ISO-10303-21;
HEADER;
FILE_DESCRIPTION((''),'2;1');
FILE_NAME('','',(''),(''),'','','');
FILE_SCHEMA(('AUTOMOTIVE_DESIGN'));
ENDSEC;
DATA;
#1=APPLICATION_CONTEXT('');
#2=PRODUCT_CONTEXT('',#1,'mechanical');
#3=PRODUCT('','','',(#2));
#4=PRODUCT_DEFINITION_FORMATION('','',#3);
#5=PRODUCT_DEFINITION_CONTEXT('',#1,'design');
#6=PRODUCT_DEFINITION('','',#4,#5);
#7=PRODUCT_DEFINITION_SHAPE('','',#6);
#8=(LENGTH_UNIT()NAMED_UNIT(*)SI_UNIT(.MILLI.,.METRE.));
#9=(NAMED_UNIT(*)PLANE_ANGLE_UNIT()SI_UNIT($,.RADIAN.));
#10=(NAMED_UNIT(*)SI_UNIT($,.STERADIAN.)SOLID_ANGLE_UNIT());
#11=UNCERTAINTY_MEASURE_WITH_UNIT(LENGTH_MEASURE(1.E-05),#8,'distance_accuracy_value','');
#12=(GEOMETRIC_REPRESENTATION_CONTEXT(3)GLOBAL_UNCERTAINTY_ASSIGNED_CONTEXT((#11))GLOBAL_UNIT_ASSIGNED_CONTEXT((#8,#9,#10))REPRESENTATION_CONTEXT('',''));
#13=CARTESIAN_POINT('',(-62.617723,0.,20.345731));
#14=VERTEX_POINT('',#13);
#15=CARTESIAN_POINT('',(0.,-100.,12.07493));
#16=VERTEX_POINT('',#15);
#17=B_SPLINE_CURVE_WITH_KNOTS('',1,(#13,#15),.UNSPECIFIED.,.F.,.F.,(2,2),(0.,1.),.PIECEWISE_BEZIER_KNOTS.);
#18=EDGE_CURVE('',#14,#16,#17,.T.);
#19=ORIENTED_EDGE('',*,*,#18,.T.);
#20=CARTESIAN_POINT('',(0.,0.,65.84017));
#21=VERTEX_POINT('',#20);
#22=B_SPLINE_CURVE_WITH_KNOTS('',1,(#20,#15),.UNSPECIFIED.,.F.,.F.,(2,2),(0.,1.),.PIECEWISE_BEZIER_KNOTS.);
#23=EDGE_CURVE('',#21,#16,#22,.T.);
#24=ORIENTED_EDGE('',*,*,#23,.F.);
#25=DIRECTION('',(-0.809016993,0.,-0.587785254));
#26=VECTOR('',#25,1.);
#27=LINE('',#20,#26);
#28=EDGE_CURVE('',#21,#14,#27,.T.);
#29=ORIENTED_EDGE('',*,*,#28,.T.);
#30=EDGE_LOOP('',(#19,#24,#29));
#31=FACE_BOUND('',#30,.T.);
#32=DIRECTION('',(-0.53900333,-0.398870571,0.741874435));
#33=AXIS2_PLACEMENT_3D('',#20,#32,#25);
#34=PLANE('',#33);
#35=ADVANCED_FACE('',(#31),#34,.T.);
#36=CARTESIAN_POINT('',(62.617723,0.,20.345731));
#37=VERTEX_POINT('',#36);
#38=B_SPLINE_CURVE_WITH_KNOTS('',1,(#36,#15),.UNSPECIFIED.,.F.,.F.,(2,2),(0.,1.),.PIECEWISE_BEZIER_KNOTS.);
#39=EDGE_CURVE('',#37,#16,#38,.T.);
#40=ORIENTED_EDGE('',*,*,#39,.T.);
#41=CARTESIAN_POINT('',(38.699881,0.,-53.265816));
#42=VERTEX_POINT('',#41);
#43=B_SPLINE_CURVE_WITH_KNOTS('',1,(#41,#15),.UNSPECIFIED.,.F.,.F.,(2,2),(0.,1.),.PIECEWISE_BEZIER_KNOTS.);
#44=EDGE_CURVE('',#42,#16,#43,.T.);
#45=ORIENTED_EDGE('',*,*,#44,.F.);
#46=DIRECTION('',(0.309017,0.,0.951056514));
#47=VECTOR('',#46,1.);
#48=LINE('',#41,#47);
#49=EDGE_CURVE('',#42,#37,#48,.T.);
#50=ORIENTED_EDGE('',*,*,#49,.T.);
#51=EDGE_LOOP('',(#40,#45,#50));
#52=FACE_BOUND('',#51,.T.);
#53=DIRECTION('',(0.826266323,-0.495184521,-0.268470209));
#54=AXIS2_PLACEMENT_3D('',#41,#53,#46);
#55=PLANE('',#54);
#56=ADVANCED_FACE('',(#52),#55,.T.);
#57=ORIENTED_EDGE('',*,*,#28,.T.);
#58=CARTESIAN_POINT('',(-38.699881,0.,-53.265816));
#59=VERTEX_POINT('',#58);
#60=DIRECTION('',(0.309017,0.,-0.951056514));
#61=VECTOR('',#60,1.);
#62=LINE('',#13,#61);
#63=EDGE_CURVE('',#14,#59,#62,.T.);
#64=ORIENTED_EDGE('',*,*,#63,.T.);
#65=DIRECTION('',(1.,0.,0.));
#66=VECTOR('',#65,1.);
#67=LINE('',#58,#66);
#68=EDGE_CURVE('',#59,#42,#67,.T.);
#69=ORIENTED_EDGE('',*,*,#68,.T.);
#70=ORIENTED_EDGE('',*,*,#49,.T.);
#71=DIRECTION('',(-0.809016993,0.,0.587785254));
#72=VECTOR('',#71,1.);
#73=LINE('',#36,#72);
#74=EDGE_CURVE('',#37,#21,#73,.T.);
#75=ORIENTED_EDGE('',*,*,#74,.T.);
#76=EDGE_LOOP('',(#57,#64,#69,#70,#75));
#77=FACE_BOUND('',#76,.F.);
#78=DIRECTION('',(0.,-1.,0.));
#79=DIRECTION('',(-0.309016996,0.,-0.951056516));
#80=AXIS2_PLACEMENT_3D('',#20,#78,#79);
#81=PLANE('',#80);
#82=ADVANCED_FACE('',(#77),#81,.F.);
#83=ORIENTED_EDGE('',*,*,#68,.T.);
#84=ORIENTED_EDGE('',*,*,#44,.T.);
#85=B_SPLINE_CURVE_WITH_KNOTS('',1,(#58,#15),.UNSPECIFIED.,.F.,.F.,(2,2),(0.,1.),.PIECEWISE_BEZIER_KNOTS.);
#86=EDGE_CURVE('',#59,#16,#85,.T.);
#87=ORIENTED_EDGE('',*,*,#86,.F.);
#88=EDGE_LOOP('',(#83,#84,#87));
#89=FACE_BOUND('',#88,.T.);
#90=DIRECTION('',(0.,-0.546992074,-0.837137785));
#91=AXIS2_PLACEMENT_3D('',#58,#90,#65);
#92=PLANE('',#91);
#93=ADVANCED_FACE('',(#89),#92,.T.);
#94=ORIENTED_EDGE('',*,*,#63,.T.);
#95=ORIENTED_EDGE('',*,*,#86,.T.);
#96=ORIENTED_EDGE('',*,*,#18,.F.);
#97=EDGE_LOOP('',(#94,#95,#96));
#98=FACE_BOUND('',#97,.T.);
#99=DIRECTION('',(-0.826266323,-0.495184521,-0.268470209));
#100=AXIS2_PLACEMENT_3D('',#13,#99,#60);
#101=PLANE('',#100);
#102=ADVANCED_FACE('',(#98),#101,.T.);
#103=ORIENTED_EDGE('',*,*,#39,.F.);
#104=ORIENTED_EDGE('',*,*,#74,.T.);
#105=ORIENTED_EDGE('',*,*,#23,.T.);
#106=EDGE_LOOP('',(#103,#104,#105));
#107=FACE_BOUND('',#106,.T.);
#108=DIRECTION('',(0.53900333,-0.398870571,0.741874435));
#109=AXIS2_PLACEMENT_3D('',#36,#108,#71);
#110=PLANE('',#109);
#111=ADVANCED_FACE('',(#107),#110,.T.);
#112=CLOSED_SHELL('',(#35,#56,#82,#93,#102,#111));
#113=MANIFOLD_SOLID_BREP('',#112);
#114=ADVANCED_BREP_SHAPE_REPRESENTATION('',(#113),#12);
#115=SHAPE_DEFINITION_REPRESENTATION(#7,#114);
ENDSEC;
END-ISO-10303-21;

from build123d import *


with BuildPart() as f3:
    # F0 (on Front) → F3 section 0
    with BuildSketch(Plane.XZ, mode=Mode.PRIVATE) as f3_s0:
        Polygon((0, 65.84017), (-62.617723, 20.345731), (-38.699881, -53.265816), (38.699881, -53.265816), (62.617723, 20.345731), align=None)
    loft([f3_s0.sketch, Vertex(0, -100, 12.07493)])


solid = f3.part
